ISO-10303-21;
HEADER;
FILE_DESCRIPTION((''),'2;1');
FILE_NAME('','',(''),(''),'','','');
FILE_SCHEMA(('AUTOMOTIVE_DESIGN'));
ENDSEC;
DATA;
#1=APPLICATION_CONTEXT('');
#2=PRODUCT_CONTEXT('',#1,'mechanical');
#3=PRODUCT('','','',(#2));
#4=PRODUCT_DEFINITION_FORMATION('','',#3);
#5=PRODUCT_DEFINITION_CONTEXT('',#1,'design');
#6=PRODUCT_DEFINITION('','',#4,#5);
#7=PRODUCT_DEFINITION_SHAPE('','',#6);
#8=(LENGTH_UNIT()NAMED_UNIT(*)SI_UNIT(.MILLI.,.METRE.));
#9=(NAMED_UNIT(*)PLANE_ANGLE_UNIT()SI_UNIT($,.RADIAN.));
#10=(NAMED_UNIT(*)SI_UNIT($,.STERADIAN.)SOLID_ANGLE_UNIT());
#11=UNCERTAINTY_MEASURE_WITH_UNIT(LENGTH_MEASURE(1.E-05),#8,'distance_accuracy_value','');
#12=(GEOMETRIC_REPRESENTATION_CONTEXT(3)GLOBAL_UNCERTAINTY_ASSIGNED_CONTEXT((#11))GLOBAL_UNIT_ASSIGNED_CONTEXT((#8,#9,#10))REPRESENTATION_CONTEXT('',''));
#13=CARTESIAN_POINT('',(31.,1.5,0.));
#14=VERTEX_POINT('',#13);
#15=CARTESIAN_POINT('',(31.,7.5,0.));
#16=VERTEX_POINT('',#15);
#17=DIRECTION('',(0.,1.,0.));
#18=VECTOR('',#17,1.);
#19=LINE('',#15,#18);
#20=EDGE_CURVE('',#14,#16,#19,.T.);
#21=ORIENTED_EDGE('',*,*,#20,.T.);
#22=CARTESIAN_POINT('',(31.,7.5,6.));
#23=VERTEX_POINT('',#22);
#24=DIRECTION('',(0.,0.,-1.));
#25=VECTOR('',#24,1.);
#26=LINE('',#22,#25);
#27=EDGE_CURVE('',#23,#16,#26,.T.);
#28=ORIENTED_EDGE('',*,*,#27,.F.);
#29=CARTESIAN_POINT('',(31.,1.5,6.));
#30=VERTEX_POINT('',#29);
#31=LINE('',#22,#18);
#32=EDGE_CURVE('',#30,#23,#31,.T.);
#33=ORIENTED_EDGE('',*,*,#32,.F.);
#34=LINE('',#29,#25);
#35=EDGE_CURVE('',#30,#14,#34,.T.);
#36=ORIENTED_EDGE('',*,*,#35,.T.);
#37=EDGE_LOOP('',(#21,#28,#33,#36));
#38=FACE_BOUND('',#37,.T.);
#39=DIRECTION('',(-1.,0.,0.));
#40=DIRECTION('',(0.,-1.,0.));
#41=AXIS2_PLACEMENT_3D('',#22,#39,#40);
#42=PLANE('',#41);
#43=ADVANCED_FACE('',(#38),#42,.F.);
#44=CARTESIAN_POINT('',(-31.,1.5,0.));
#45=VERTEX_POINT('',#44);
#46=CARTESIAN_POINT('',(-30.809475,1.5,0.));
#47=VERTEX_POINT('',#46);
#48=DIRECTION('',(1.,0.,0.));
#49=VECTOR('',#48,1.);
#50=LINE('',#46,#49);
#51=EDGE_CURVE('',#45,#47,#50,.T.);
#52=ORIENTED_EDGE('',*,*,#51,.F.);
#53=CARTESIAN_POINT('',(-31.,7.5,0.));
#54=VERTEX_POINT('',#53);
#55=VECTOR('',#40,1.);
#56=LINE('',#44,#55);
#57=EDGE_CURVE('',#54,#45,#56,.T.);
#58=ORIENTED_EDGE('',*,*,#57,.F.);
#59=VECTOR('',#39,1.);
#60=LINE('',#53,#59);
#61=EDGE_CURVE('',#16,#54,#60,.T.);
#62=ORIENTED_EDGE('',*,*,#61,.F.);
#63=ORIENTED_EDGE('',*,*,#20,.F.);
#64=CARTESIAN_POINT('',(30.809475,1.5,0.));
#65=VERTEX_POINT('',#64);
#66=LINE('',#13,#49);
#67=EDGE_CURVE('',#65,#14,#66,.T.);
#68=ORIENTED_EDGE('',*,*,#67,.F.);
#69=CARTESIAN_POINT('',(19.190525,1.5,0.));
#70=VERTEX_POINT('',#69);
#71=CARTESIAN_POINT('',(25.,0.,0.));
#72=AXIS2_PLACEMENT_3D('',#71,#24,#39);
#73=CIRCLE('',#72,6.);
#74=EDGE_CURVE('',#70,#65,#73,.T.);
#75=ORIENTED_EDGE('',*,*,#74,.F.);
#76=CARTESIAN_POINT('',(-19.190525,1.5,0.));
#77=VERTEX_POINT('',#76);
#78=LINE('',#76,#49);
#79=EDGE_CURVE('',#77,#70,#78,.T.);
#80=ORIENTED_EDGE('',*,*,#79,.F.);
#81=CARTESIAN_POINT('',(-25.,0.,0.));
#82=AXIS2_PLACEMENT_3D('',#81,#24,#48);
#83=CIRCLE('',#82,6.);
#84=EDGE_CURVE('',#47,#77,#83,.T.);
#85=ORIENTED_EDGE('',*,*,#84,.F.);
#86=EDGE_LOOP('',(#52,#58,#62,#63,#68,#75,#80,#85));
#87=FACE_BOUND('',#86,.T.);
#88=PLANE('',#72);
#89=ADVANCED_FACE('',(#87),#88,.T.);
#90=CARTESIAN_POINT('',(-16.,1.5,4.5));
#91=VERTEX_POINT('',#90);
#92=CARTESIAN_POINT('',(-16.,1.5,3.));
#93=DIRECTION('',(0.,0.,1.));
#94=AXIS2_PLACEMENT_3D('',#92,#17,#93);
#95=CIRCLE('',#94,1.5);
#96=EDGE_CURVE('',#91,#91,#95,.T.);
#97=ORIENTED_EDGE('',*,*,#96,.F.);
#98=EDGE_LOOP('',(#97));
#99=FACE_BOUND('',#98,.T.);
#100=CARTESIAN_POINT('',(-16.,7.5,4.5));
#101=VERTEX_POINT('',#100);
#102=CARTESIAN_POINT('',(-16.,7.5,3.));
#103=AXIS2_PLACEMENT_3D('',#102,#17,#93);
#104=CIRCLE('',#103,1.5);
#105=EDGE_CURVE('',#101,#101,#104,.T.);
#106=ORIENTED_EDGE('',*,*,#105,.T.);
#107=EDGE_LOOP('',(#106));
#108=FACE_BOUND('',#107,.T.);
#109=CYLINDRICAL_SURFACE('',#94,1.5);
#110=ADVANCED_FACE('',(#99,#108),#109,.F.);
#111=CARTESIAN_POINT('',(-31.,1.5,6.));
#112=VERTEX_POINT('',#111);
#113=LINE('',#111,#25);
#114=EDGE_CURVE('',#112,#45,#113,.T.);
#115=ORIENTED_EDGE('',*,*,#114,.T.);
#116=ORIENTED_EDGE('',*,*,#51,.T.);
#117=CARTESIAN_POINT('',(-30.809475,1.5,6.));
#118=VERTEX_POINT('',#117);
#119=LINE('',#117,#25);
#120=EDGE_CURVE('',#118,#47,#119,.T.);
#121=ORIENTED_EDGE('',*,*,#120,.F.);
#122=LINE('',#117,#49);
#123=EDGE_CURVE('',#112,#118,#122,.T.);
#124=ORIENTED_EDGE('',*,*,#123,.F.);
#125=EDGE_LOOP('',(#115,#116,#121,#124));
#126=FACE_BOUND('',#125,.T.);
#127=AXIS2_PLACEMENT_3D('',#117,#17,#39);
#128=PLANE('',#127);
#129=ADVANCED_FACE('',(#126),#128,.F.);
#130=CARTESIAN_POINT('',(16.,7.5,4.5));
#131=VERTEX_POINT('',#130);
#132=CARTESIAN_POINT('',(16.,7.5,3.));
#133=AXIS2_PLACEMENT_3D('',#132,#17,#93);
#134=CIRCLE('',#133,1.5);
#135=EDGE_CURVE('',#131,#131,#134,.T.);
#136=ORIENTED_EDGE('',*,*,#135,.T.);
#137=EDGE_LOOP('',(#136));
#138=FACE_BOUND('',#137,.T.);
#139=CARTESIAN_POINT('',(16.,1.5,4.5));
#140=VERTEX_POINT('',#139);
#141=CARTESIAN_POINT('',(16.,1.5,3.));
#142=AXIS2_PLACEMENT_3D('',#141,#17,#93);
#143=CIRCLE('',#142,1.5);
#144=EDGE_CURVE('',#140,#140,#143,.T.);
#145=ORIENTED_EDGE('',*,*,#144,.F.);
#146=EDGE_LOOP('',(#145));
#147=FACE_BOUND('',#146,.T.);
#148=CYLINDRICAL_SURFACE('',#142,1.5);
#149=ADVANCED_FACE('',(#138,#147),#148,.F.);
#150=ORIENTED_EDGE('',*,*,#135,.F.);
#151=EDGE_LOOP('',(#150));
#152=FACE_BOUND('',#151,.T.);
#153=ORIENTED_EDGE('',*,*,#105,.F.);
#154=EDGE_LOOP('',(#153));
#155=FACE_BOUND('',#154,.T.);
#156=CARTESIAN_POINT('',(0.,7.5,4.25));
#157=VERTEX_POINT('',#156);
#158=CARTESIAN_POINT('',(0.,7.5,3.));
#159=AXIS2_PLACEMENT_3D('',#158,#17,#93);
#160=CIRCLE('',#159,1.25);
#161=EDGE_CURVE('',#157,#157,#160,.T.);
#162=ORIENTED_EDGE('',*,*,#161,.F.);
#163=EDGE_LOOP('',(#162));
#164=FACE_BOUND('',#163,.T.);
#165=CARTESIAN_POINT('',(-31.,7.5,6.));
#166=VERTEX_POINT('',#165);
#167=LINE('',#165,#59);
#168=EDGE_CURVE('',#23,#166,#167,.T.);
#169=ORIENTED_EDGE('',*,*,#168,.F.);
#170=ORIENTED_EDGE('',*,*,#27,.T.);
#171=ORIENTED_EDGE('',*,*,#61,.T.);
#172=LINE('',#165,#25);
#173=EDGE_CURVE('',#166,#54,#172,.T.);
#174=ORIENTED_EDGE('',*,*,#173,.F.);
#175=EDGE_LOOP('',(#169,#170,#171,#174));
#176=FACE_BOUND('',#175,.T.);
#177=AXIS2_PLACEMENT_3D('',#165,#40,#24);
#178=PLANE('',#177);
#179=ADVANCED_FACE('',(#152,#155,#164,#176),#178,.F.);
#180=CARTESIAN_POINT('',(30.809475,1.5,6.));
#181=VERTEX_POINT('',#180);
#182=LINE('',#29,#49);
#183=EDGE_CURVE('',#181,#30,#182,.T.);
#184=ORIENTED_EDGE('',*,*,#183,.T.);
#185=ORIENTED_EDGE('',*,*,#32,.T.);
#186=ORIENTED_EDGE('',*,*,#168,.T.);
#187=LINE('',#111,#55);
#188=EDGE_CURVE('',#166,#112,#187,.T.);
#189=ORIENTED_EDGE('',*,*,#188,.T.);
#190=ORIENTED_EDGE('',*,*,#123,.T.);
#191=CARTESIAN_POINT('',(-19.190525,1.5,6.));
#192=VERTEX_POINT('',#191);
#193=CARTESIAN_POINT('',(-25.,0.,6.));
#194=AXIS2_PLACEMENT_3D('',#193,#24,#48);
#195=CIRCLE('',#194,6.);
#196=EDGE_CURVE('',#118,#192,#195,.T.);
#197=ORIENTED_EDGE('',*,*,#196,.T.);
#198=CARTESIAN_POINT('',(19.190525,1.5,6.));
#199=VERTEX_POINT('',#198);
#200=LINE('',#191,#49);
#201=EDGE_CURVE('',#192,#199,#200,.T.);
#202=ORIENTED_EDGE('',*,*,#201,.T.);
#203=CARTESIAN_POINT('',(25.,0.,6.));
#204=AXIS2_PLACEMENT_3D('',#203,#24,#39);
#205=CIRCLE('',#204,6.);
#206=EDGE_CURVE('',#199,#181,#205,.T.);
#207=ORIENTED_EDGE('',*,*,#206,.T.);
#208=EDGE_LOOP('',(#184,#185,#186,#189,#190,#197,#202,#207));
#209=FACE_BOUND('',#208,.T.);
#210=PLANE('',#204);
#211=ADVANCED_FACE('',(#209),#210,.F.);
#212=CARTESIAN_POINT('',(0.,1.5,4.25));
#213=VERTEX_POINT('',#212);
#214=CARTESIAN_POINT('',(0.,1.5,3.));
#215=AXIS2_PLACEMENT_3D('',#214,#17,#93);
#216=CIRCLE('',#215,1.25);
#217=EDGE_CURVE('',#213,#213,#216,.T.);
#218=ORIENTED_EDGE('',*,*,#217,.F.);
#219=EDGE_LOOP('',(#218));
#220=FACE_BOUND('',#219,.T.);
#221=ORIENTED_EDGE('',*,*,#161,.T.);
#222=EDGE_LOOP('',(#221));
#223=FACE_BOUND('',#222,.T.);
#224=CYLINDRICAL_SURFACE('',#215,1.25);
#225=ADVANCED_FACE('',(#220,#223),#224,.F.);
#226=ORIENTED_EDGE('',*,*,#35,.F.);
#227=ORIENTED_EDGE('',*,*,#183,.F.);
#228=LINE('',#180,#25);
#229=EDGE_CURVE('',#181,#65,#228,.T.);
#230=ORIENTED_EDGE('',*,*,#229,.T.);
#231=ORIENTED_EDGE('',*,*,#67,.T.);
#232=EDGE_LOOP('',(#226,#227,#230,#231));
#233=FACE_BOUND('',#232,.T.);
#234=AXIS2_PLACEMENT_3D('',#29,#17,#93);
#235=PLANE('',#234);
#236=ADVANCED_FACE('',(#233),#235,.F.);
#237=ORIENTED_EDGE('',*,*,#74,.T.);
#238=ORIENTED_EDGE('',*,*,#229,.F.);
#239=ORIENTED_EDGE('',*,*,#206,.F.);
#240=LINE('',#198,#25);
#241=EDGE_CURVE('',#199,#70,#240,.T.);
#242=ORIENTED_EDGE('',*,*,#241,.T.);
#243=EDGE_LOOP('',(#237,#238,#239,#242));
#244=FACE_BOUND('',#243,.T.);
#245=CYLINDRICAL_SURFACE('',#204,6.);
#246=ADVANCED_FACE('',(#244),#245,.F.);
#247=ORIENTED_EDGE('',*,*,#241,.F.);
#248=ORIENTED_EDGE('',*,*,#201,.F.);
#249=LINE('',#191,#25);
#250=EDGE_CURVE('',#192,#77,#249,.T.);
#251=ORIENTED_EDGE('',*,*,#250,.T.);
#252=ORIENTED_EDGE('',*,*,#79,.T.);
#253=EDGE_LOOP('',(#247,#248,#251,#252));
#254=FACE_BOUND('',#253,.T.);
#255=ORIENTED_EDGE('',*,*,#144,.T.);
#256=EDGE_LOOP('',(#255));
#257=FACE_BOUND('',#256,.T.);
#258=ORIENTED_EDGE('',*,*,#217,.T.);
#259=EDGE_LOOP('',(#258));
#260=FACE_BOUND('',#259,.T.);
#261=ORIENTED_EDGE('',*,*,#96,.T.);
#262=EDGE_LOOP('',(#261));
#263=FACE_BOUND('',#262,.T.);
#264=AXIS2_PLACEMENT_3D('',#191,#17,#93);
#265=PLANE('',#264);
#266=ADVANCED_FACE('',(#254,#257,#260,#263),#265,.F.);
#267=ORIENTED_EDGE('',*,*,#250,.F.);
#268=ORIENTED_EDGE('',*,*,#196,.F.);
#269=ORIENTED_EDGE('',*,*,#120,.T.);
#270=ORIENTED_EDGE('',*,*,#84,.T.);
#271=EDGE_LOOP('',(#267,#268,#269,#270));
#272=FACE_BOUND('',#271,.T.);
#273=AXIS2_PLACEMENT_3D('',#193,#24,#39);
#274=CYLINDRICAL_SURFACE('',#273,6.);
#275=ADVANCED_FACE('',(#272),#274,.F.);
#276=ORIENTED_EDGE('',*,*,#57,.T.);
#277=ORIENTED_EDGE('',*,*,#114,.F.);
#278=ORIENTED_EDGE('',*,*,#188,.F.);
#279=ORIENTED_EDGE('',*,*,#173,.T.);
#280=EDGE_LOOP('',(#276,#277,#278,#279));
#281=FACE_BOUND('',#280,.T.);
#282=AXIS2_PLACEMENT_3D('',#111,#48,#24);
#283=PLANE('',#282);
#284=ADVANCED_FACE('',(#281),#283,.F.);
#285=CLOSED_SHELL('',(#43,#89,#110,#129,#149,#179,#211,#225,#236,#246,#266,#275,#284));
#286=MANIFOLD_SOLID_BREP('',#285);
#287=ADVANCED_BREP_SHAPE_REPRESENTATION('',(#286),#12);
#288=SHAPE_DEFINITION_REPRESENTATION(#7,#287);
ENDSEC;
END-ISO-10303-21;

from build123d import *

# Parameters (mm, degrees)
BOSS_EXTRU_1_DEPTH      = 6
ESQUISSE2_R             = 1.5
ESQUISSE2_R_2           = 1.25
ENL_V_MAT_EXTRU_1_DEPTH = 6


with BuildPart() as part:
    # Esquisse1 → Boss.-Extru.1 (new body)
    with BuildSketch(Plane.XY):
        with BuildLine():
            Line((-31, 1.5), (-31, 7.5))
            Line((-31, 7.5), (31, 7.5))
            Line((31, 7.5), (31, 1.5))
            Line((31, 1.5), (30.809475019, 1.5))
            ThreePointArc((30.809475019, 1.5), (25, 6), (19.190524981, 1.5))
            Line((19.190524981, 1.5), (-19.190524981, 1.5))
            ThreePointArc((-19.190524981, 1.5), (-25, 6), (-30.809475019, 1.5))
            Line((-30.809475019, 1.5), (-31, 1.5))
        make_face()
    extrude(amount=BOSS_EXTRU_1_DEPTH)

    # Esquisse2 → Enlèv. mat.-Extru.1 (cut)
    with BuildSketch(Plane(origin=(0, 7.5, 0), x_dir=(1, 0, 0), z_dir=(0, 1, 0))):
        with Locations(Location((-16, -3, 0), (0, 0, 270))):
            Circle(ESQUISSE2_R)
        with Locations(Location((16, -3, 0), (0, 0, 270))):
            Circle(ESQUISSE2_R)
        with Locations(Location((0, -3, 0), (0, 0, 270))):
            Circle(ESQUISSE2_R_2)
    extrude(amount=-ENL_V_MAT_EXTRU_1_DEPTH, mode=Mode.SUBTRACT)


solid = part.part
